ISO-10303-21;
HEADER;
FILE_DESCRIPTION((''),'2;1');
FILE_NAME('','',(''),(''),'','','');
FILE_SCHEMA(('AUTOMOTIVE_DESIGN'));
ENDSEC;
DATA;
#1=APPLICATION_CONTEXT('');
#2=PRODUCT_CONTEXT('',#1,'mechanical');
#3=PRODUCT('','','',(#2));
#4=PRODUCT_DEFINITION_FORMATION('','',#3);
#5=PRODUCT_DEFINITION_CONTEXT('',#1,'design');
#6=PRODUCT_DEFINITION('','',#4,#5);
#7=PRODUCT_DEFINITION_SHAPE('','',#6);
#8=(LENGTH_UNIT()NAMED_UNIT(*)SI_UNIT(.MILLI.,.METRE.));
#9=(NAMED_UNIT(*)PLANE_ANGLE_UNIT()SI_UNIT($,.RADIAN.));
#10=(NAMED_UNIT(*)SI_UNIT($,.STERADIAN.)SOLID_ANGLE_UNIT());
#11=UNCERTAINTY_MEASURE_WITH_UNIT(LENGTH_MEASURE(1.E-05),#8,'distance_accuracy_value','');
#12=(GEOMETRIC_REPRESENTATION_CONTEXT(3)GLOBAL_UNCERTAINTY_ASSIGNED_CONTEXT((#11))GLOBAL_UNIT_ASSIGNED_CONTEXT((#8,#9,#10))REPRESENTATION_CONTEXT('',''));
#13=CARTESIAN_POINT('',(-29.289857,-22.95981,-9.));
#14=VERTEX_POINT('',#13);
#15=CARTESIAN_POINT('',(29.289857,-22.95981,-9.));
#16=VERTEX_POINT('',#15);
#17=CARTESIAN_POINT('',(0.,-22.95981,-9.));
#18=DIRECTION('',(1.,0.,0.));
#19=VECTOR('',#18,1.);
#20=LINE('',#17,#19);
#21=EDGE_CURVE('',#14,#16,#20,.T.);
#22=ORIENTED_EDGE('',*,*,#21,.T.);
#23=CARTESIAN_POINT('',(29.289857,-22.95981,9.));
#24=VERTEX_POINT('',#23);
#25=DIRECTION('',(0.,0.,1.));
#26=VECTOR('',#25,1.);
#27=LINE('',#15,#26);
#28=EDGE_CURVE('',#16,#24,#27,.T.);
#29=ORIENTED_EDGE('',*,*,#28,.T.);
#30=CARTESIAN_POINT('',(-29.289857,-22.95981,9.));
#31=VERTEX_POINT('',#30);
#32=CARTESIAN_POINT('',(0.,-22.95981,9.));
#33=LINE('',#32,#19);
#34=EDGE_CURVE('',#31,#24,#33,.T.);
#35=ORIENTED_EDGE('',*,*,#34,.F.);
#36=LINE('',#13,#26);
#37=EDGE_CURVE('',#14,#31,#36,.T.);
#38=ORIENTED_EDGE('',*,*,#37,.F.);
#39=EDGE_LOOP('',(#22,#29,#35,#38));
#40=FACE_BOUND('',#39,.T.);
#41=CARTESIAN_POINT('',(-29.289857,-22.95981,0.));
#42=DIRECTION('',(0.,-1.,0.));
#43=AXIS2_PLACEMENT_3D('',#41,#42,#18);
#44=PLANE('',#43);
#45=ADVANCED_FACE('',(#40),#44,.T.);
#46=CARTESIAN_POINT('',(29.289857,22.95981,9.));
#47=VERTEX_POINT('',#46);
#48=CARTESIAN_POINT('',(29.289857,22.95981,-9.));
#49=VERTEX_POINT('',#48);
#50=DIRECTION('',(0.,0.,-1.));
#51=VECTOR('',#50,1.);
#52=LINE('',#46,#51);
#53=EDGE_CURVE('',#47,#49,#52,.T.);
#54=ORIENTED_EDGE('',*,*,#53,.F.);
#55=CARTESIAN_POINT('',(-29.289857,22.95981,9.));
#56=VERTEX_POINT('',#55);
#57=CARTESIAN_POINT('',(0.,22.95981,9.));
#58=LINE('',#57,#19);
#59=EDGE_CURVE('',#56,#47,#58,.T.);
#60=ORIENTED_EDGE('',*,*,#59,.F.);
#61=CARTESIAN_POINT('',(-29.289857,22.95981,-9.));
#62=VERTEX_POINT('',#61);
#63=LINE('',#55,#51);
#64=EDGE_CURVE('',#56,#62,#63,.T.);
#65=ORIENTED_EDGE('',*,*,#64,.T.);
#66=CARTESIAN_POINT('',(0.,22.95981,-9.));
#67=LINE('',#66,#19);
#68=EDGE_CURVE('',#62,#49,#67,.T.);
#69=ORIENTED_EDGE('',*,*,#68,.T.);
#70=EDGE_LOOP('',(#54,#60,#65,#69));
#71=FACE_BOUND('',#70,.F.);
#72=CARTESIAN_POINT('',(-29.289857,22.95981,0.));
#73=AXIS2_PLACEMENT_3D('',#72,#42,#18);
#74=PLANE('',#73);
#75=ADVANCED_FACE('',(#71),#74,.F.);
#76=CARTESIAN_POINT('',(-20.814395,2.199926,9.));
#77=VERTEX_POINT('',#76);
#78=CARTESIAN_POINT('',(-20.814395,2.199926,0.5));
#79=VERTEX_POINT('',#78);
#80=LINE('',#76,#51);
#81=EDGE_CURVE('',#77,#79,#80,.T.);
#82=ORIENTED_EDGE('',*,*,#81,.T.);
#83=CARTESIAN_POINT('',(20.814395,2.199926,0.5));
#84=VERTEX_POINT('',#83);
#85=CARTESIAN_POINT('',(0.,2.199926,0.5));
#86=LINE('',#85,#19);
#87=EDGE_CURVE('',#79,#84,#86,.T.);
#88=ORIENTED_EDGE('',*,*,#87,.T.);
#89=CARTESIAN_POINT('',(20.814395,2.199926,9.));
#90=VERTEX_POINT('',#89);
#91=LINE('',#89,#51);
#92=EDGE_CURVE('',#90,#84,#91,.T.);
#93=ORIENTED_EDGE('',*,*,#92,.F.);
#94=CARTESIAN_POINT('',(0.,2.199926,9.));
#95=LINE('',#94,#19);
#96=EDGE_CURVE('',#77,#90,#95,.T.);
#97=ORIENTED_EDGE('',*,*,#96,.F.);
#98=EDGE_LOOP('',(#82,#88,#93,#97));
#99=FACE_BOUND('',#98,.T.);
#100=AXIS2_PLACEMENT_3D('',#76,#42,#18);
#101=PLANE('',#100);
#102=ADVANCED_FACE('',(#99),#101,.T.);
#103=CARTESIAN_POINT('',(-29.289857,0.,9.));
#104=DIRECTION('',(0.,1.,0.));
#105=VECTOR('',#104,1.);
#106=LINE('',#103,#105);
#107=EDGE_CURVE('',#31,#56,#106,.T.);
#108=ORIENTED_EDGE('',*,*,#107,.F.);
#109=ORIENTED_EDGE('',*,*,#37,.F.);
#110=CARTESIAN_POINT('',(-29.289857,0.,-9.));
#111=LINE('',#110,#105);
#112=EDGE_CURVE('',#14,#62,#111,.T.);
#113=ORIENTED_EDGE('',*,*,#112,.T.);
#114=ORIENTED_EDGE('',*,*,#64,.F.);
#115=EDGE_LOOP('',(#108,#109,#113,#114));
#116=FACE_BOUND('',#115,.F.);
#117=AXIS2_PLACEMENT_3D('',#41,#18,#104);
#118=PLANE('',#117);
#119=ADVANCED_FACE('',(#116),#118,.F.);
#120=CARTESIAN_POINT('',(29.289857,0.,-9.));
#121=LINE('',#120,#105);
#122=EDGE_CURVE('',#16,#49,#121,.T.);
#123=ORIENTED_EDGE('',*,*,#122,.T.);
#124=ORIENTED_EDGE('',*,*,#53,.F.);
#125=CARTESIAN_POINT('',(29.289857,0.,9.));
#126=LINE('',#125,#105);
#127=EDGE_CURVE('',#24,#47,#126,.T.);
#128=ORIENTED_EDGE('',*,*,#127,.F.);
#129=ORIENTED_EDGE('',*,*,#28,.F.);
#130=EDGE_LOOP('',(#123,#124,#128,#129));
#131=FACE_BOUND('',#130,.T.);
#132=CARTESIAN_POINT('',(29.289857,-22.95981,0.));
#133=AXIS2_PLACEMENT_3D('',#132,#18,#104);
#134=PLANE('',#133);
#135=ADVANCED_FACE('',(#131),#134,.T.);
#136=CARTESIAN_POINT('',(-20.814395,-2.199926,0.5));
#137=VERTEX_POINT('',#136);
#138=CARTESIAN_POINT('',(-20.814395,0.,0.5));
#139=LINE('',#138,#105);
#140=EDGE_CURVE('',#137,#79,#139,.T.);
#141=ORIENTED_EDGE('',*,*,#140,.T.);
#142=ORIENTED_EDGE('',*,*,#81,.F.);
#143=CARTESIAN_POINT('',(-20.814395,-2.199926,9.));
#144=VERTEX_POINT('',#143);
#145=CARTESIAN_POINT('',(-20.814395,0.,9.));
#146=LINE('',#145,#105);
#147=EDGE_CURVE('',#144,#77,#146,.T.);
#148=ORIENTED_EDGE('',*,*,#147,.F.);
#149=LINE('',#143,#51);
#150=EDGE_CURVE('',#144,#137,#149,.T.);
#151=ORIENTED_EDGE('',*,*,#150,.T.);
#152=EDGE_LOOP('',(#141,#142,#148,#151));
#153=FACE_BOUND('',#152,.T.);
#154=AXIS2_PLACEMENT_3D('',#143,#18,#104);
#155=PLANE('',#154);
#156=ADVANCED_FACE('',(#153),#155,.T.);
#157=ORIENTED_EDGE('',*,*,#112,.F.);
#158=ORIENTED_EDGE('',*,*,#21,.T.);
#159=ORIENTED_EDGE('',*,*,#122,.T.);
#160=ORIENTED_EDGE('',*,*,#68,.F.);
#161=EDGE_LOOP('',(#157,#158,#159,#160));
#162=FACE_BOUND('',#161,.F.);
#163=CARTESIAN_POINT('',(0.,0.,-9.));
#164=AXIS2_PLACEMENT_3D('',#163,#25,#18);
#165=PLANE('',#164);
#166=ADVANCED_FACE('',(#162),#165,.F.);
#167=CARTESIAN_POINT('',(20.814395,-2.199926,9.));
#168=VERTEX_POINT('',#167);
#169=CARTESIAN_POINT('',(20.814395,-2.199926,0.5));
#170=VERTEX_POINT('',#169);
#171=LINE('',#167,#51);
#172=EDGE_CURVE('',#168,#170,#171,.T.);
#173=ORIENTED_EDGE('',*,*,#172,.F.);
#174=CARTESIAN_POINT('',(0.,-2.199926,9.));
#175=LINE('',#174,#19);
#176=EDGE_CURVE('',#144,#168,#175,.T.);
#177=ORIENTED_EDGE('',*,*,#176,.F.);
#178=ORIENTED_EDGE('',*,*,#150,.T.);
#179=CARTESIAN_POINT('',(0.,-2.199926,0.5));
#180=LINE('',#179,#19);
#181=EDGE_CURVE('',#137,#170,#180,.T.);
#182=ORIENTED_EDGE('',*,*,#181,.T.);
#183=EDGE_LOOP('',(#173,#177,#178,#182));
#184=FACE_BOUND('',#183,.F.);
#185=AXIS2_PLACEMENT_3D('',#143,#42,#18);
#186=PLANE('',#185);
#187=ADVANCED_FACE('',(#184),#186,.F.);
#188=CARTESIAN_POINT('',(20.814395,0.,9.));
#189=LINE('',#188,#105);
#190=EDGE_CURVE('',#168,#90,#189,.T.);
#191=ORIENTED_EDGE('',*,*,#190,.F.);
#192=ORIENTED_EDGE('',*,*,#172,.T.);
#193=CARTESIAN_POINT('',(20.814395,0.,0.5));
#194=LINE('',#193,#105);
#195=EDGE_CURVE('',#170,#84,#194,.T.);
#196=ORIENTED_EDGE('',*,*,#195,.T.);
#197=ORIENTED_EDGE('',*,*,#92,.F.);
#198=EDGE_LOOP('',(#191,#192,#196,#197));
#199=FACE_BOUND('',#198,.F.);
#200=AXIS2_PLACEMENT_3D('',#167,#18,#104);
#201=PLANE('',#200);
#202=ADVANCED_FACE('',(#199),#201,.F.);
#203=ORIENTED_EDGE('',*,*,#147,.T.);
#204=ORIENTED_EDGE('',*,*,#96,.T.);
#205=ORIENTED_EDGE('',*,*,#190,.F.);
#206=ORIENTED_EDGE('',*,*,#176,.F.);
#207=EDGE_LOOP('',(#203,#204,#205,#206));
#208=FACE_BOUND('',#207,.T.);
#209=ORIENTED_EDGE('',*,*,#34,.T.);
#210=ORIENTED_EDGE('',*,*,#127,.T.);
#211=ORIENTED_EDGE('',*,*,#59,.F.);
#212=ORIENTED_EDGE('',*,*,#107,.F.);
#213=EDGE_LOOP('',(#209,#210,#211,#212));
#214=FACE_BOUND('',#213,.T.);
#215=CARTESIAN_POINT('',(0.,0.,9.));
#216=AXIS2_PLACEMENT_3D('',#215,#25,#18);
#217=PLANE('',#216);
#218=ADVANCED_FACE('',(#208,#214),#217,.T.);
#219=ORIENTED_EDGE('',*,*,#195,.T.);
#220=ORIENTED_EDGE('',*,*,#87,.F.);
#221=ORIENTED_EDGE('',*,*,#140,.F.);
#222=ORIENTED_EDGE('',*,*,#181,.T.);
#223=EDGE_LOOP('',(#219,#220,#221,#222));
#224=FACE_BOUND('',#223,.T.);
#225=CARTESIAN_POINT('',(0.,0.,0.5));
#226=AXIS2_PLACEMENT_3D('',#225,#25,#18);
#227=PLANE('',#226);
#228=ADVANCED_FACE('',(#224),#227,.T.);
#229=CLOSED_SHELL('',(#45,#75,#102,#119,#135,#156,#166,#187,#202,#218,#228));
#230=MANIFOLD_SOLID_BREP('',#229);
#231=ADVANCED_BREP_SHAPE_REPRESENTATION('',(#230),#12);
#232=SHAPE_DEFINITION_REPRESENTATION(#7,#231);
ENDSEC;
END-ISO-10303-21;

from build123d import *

# Parameters (mm, degrees)
F0_W     = 58.5797131062
F0_H     = 45.9196195006
F1_DEPTH = 9
F2_W     = 41.6287891567
F2_H     = 4.3998513578
F3_DEPTH = 8.5


with BuildPart() as f1:
    # F0 (on Top) → F1 (new body, symmetric)
    with BuildSketch(Plane.XY):
        Rectangle(F0_W, F0_H)
    extrude(amount=F1_DEPTH, both=True)

    # F2 (on face) → F3 (cut)
    with BuildSketch(Plane.XY.offset(9)):
        Rectangle(F2_W, F2_H)
    extrude(amount=-F3_DEPTH, mode=Mode.SUBTRACT)


solid = f1.part
